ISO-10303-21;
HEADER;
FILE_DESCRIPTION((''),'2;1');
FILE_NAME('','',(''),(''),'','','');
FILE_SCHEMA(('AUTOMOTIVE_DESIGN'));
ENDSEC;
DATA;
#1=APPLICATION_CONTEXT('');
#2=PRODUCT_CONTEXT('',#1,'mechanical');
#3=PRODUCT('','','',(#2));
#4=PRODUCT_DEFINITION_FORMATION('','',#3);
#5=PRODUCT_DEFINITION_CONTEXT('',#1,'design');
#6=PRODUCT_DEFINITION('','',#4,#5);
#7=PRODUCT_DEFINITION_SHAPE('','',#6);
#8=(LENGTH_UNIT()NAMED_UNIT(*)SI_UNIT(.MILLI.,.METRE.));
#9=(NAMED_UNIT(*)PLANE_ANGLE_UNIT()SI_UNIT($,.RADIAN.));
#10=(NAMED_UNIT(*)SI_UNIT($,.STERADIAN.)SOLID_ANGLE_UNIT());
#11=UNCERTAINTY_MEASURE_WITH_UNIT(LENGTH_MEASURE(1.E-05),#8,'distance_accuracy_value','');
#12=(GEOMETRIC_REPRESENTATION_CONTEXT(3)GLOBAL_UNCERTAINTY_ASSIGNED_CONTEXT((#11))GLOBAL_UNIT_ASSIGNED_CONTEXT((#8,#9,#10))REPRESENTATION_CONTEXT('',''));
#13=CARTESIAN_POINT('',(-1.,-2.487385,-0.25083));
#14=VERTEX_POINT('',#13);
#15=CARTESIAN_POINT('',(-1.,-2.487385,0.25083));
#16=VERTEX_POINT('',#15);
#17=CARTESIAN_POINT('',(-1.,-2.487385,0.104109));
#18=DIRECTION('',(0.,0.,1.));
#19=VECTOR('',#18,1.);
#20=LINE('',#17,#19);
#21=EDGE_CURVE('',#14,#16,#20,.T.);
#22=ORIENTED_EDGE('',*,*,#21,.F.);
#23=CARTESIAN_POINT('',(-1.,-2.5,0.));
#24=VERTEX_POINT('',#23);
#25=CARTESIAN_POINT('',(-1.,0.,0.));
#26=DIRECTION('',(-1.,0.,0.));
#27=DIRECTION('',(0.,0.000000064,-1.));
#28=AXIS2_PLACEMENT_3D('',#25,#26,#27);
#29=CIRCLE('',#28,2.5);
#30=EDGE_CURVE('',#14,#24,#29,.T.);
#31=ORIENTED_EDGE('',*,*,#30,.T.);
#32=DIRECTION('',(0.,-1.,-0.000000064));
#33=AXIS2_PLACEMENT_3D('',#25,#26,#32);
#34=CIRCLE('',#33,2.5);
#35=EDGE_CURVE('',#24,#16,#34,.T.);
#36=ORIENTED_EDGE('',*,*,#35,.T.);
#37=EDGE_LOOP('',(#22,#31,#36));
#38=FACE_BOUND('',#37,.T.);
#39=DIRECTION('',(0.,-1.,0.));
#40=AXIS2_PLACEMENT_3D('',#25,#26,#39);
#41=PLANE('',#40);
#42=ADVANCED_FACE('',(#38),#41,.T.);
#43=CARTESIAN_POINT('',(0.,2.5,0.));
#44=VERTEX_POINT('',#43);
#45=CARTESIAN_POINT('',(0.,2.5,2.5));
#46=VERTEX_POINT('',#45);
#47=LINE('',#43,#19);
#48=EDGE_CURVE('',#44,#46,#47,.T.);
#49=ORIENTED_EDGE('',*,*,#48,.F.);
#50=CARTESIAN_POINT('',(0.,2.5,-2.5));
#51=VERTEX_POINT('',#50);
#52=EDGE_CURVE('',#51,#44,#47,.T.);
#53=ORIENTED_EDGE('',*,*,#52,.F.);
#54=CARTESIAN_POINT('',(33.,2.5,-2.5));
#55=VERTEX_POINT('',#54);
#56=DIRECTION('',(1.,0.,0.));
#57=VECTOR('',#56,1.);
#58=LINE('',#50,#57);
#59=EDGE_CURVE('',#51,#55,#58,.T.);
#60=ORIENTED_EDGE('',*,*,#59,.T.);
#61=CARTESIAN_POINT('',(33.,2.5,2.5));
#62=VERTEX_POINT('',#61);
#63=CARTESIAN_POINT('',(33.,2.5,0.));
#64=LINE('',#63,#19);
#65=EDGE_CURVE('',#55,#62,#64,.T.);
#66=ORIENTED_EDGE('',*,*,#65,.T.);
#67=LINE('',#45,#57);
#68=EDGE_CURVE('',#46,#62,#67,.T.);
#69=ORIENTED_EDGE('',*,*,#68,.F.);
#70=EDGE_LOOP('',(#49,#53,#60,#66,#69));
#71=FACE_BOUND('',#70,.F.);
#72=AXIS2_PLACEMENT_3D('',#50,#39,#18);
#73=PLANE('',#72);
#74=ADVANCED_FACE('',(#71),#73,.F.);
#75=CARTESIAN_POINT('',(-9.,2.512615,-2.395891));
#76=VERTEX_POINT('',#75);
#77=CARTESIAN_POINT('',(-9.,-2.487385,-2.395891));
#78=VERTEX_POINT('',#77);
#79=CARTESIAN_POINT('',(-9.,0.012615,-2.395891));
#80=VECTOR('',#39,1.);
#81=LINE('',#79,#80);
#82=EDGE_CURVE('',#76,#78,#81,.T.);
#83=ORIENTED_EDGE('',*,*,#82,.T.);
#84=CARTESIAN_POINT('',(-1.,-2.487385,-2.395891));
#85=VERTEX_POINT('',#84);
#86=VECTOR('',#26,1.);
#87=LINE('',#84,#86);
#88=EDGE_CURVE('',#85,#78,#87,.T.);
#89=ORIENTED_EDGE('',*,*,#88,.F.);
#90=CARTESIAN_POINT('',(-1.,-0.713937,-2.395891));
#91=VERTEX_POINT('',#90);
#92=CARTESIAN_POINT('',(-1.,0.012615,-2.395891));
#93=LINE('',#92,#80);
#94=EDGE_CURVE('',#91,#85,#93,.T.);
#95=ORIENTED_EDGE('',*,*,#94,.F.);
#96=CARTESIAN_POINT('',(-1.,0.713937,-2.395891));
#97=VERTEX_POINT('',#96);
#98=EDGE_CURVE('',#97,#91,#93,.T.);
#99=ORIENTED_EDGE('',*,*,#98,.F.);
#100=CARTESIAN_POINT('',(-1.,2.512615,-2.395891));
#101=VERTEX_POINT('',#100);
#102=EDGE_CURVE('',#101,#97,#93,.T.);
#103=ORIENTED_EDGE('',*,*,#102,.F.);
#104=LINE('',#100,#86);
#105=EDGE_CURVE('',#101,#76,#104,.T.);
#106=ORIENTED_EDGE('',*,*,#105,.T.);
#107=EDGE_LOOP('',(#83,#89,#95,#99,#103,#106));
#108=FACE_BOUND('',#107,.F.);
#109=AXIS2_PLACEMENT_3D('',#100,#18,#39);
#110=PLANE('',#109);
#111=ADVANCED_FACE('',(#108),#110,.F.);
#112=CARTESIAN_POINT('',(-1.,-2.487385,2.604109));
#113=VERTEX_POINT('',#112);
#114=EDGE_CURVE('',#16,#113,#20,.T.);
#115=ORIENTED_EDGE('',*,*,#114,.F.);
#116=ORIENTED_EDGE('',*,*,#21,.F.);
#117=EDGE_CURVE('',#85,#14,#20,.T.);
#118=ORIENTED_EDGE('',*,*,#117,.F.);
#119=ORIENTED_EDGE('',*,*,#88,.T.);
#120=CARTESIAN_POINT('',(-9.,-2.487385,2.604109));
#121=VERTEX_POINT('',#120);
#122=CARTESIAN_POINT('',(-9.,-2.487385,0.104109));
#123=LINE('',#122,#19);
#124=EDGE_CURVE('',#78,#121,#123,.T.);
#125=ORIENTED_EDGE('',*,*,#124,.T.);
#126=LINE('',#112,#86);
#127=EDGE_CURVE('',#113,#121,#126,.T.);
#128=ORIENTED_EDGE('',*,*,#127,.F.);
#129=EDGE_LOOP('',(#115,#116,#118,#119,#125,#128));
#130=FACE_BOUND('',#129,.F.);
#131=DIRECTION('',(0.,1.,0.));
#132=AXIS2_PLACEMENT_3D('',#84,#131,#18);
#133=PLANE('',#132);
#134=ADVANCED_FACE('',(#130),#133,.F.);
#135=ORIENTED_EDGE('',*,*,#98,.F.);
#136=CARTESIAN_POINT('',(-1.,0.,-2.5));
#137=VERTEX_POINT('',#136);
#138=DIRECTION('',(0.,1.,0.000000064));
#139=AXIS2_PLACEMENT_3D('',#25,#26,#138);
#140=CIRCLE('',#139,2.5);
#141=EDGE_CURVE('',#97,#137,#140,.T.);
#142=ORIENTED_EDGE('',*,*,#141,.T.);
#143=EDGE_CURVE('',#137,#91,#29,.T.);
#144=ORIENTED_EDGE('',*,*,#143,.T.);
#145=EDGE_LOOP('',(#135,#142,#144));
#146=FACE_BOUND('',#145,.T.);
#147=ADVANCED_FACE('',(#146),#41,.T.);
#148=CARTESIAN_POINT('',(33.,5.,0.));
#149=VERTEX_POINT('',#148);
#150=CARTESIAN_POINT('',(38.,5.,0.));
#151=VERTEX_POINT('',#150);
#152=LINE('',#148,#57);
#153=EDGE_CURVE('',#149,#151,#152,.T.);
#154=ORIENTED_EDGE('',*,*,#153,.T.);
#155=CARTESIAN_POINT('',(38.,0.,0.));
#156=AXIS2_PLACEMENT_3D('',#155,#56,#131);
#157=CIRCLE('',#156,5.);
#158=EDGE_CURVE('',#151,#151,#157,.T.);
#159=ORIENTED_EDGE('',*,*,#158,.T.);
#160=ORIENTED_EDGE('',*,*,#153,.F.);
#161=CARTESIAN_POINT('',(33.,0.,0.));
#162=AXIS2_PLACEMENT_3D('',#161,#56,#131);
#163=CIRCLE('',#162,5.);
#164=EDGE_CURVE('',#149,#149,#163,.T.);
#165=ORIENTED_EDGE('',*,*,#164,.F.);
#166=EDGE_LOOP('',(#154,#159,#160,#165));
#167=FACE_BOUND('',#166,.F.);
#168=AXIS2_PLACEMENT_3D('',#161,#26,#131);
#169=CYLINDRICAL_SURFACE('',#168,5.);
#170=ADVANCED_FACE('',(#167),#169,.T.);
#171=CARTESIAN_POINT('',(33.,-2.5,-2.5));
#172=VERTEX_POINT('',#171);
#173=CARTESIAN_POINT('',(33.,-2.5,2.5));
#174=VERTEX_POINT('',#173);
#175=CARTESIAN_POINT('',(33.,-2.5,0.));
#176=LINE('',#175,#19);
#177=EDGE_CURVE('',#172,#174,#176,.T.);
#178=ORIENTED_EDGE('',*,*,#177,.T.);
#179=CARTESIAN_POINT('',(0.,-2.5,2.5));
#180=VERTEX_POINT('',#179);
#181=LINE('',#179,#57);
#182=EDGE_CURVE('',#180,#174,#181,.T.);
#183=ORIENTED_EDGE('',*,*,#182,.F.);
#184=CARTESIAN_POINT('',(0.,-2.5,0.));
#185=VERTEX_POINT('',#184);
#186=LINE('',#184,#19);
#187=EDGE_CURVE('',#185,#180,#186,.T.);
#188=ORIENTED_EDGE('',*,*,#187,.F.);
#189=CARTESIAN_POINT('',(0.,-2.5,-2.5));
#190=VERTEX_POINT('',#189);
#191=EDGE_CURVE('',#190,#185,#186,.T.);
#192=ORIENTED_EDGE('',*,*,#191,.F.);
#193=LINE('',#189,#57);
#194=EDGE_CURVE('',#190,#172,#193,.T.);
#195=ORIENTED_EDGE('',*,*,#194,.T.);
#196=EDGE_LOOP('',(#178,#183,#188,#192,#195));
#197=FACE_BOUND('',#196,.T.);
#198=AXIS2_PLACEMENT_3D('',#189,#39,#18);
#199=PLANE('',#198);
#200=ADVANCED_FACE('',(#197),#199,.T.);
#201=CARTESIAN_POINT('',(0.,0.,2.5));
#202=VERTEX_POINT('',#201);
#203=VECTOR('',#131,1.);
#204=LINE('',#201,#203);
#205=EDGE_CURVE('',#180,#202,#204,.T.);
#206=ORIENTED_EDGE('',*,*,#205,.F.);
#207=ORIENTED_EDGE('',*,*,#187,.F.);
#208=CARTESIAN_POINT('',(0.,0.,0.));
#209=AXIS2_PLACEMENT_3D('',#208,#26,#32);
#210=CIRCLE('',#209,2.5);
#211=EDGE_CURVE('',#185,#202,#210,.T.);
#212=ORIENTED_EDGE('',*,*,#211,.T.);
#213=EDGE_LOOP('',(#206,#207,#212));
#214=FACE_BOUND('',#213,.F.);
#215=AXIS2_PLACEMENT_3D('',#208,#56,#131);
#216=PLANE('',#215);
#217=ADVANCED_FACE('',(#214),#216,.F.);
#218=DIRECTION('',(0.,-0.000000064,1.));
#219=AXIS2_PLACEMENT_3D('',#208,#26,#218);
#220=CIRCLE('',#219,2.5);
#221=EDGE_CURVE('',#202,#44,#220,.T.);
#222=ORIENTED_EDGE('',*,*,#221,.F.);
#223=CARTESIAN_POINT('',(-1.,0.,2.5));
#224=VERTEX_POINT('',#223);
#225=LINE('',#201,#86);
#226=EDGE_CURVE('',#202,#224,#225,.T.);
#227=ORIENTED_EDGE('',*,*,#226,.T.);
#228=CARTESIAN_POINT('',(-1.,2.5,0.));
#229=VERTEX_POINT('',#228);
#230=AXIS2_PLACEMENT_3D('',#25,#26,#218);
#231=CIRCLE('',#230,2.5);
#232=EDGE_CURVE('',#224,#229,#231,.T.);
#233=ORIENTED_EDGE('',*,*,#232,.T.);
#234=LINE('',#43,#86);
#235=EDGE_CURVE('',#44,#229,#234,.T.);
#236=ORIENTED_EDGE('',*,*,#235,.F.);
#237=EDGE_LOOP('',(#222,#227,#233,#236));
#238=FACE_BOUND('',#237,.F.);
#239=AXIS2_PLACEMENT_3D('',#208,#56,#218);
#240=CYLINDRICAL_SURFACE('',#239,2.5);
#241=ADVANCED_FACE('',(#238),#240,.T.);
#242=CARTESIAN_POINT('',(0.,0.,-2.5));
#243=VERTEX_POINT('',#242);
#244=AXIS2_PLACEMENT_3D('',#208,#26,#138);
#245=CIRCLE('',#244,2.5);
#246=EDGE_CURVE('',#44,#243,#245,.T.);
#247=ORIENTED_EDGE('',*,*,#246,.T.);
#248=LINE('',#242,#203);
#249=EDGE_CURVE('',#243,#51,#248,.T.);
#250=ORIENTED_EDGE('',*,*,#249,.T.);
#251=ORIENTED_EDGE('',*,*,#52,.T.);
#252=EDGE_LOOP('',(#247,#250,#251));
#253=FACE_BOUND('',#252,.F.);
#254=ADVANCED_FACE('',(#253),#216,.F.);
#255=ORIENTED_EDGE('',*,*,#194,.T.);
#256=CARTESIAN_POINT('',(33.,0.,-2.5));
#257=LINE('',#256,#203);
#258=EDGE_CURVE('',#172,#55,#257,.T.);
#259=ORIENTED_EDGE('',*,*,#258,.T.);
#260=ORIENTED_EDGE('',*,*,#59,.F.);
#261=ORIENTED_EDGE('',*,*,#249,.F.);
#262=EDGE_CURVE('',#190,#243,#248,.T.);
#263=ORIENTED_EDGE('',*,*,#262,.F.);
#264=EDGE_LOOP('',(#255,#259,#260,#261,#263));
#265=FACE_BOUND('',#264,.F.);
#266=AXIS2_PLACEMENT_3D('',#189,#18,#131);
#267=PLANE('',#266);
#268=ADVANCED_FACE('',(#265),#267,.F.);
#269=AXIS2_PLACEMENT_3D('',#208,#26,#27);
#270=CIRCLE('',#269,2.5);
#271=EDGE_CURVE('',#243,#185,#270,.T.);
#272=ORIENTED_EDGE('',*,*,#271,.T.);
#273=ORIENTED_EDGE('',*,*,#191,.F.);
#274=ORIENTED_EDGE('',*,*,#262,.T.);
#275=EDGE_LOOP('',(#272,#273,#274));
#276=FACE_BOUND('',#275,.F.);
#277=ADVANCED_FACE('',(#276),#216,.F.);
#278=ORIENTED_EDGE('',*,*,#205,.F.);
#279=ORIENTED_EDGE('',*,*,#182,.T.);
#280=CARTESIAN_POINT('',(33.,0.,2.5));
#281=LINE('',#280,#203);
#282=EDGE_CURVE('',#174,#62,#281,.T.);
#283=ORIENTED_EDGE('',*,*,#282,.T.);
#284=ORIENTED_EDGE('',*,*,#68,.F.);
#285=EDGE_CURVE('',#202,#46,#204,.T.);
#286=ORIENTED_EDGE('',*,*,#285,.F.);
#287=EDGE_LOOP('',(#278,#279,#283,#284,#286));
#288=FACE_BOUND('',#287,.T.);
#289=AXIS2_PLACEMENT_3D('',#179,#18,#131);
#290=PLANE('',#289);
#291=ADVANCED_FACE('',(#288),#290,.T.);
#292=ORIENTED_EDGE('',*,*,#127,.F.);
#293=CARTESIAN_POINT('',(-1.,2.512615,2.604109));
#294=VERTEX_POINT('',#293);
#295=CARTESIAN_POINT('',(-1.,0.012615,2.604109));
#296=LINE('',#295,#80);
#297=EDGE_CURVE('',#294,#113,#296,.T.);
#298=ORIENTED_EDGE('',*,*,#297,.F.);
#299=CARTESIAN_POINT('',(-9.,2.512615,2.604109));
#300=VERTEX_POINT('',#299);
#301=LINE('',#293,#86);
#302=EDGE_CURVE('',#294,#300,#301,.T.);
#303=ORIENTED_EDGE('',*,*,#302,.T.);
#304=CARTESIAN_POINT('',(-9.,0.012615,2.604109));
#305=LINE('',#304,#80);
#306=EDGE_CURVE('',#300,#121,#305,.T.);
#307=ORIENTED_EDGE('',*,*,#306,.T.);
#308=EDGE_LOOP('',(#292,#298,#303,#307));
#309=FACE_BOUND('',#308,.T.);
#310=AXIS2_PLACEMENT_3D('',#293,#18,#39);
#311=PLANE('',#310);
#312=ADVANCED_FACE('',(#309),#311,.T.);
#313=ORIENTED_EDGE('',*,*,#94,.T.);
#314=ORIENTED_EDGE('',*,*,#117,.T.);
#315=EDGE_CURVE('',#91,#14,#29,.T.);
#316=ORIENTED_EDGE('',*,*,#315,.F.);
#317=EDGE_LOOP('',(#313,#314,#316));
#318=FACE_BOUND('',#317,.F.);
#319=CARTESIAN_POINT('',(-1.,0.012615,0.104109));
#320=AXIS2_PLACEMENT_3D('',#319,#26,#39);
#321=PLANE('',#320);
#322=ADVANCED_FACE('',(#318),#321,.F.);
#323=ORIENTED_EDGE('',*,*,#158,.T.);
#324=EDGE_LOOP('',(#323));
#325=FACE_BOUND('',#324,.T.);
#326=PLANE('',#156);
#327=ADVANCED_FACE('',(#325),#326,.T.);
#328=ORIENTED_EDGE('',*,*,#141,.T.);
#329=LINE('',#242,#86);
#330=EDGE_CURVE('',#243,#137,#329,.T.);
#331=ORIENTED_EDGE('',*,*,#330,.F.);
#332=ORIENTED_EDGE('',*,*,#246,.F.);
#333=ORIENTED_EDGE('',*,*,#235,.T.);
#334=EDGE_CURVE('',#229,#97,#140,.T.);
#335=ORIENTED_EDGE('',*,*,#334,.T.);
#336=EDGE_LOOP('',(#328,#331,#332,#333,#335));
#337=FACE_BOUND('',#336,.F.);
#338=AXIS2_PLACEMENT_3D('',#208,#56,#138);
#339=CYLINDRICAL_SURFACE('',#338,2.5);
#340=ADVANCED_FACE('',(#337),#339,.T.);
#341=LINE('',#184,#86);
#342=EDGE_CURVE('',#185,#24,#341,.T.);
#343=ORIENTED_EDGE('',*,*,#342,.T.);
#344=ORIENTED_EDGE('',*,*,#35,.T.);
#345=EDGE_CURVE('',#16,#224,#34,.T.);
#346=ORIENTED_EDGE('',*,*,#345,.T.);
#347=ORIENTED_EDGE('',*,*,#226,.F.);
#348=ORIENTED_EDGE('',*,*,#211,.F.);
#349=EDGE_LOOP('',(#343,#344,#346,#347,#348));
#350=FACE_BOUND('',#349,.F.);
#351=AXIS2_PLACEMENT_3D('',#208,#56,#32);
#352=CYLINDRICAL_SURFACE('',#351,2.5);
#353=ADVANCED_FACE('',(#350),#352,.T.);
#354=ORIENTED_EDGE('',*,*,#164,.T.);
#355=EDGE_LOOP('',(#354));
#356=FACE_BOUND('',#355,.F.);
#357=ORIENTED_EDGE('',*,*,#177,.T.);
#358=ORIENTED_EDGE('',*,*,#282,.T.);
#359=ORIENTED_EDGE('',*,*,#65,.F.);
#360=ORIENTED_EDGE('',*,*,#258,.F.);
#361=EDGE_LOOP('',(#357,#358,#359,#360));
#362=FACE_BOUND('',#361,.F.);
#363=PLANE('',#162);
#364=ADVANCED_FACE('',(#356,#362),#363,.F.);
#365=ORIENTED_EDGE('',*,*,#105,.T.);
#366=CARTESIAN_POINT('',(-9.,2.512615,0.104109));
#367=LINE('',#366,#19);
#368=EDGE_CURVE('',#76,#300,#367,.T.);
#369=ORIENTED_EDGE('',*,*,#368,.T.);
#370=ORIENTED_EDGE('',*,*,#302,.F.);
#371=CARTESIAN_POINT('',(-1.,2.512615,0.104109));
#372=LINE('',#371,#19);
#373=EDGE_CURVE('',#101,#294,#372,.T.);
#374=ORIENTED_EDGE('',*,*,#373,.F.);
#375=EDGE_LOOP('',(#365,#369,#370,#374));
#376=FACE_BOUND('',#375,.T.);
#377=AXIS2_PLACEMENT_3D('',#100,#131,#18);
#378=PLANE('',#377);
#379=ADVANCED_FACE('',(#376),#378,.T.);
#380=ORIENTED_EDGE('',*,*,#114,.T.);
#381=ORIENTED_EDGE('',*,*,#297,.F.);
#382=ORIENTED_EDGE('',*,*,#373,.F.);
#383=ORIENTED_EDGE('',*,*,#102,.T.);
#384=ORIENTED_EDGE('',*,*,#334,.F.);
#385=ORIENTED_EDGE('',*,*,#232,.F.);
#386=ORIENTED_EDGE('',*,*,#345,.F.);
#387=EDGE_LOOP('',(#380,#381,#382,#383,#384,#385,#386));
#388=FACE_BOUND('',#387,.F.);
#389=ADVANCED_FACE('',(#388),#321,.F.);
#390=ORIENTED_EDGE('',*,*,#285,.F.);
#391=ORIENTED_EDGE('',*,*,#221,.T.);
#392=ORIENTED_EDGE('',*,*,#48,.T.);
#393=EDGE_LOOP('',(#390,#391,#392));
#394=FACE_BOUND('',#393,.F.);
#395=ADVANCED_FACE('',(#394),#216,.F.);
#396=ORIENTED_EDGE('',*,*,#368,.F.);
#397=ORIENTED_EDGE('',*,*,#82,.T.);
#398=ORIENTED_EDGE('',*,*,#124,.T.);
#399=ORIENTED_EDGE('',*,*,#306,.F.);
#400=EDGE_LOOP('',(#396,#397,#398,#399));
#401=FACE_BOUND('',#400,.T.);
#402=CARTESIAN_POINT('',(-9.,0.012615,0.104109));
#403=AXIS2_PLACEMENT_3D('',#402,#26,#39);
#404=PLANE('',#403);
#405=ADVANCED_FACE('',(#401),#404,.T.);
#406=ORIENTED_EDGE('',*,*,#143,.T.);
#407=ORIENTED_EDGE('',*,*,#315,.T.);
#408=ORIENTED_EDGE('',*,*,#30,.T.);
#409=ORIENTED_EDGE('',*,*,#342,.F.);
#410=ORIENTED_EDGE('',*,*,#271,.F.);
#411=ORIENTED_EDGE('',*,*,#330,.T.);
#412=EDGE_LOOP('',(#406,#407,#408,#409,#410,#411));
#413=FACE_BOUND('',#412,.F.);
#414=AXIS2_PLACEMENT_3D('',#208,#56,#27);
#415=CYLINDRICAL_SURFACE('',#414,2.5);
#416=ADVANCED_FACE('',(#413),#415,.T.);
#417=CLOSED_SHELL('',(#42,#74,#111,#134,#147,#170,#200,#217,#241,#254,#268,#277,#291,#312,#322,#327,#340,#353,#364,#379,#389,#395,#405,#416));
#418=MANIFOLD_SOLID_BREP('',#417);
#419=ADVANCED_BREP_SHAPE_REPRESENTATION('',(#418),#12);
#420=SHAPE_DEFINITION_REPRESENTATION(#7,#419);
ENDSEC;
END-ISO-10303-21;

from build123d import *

# Parameters (mm, degrees)
F0_W     = 5
F0_H     = 5
F1_DEPTH = 33
F2_R     = 5
F3_DEPTH = 5
F5_DEPTH = 1
F7_W     = 5
F7_H     = 5
F8_DEPTH = 8


with BuildPart() as f1:
    # F0 (on Right) → F1 (new body)
    with BuildSketch(Plane.YZ):
        Rectangle(F0_W, F0_H)
    extrude(amount=F1_DEPTH)

    # F2 (on face) → F3 (join)
    with BuildSketch(Plane.YZ.offset(33)):
        Circle(F2_R)
    extrude(amount=F3_DEPTH)

    # F4 (on face) → F5 (join)
    with BuildSketch(Plane(origin=(0, 0, 0), x_dir=(0, -1, 0), z_dir=(-1, 0, 0))):
        with BuildLine():
            ThreePointArc((0, -2.5), (1.767767, -1.767767), (2.5, 0))
            ThreePointArc((2.5, 0), (1.767767, 1.767767), (0, 2.5))
            ThreePointArc((0, 2.5), (-1.767767, 1.767767), (-2.5, 0))
            ThreePointArc((-2.5, 0), (-1.767767, -1.767767), (0, -2.5))
        make_face()
    extrude(amount=F5_DEPTH)

    # F7 (on face) → F8 (join)
    with BuildSketch(Plane(origin=(-1, 0, 0), x_dir=(0, -1, 0), z_dir=(-1, 0, 0))):
        with Locations((-0.012615, 0.104109)):
            Rectangle(F7_W, F7_H)
    extrude(amount=F8_DEPTH)


solid = f1.part
